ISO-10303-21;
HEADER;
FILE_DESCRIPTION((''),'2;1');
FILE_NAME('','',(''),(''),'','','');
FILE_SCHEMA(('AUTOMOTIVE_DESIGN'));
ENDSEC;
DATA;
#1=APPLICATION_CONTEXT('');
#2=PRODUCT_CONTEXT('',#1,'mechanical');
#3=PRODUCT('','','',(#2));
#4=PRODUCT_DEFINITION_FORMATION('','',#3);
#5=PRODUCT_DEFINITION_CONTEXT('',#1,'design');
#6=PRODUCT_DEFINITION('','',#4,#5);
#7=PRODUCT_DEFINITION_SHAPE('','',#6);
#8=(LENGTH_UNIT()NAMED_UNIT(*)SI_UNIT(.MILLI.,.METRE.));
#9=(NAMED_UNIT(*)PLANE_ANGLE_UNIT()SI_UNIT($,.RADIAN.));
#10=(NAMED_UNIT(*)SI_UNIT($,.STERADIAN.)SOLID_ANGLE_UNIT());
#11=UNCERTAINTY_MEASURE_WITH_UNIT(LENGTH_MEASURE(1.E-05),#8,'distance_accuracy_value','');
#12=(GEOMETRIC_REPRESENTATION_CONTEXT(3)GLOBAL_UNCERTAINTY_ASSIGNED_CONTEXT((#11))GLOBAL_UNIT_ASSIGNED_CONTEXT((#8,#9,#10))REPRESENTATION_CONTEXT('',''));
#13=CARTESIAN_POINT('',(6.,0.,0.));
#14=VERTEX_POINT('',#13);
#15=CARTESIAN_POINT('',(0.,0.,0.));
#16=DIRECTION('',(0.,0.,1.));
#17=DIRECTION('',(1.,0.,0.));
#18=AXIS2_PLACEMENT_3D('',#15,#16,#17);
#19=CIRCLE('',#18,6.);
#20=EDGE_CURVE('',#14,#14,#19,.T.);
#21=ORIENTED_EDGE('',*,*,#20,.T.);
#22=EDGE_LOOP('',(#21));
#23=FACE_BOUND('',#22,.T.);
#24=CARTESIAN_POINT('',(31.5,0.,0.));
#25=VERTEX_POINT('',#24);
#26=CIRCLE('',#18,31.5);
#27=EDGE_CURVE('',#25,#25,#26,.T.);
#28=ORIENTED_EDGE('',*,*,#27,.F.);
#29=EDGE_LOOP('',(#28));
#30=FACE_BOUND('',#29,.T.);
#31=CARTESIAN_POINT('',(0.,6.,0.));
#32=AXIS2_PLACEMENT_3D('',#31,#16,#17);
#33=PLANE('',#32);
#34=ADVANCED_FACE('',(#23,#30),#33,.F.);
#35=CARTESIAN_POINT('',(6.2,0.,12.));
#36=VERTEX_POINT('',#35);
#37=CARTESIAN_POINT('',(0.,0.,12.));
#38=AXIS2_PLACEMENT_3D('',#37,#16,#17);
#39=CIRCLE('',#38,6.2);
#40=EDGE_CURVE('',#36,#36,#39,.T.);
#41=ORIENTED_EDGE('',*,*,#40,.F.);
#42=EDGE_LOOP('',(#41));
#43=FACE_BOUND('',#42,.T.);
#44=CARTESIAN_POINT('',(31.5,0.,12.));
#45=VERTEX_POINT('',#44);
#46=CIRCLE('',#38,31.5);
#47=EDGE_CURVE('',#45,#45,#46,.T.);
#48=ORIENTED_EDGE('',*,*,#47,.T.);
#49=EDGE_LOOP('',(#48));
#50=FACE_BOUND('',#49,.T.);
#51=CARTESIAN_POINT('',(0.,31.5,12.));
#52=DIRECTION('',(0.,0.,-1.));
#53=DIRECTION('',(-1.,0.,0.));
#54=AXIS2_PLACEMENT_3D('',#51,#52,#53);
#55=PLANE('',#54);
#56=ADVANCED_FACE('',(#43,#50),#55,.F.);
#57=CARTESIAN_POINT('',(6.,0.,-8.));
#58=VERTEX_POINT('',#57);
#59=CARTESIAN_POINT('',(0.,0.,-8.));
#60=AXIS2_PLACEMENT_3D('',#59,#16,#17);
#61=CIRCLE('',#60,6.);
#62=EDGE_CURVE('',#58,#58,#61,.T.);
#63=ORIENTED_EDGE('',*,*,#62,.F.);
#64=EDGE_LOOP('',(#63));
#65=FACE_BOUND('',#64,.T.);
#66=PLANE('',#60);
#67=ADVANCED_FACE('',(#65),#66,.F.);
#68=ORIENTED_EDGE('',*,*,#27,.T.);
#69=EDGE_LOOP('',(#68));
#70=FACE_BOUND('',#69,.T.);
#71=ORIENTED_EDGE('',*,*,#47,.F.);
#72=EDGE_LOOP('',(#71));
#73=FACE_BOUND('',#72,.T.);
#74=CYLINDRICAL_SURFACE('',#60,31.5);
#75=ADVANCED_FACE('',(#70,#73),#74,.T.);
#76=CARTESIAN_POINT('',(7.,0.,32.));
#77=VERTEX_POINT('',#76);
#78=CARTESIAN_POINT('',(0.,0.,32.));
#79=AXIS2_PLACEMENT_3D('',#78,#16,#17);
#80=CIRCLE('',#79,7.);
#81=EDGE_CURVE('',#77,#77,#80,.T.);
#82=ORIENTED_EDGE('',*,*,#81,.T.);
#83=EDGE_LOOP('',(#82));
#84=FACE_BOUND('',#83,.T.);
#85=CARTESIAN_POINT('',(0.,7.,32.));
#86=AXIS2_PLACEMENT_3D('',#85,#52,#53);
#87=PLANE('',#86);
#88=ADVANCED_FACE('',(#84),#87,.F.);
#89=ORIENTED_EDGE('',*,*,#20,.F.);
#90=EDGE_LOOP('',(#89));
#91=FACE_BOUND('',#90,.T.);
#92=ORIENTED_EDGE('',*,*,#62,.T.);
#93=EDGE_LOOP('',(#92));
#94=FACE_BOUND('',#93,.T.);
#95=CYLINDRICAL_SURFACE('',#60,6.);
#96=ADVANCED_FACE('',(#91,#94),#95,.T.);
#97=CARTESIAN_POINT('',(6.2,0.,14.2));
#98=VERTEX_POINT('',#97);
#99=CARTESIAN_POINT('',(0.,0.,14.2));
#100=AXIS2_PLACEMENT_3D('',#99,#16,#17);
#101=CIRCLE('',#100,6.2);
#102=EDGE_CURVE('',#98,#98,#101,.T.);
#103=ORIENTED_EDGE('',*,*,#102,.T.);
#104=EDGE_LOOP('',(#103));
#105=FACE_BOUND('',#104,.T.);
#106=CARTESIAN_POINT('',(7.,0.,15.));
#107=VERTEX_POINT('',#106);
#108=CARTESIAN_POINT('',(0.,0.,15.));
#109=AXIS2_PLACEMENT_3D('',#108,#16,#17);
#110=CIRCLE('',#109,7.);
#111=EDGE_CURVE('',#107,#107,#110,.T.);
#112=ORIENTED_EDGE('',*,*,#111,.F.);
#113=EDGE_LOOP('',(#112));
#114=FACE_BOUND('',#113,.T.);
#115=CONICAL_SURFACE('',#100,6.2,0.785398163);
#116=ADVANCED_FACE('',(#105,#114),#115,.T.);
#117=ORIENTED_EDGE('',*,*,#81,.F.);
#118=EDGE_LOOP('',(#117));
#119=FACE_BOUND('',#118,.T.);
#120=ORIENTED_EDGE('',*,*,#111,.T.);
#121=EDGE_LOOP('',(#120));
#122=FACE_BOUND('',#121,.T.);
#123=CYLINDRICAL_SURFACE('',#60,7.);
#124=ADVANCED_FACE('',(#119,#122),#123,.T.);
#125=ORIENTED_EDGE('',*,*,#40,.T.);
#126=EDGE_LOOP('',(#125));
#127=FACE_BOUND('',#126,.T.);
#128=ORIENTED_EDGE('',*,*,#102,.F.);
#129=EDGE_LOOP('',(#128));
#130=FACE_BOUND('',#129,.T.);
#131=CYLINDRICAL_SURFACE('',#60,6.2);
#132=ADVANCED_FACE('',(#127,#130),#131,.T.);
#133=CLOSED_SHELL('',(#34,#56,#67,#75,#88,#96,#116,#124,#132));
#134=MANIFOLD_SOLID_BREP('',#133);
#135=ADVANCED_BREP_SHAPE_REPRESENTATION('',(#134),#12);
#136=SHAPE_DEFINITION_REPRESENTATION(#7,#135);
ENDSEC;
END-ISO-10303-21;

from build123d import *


with BuildPart() as part:
    # Sketch1 → Revolve1 (revolve)
    with BuildSketch(Plane(origin=(0, 0, 0), x_dir=(0, 0, -1), z_dir=(1, 0, 0)), mode=Mode.PRIVATE) as revolve1_sk:
        Polygon((8, 0), (8, 6), (0, 6), (0, 31.5), (-12, 31.5), (-12, 6.2), (-14.2, 6.2), (-15, 7), (-32, 7), (-32, 0), align=None)
    revolve(revolve1_sk.sketch.rotate(Axis((0, 0, -8), (0, 0, -1)), 90), axis=Axis((0, 0, -8), (0, 0, -1)))


solid = part.part
